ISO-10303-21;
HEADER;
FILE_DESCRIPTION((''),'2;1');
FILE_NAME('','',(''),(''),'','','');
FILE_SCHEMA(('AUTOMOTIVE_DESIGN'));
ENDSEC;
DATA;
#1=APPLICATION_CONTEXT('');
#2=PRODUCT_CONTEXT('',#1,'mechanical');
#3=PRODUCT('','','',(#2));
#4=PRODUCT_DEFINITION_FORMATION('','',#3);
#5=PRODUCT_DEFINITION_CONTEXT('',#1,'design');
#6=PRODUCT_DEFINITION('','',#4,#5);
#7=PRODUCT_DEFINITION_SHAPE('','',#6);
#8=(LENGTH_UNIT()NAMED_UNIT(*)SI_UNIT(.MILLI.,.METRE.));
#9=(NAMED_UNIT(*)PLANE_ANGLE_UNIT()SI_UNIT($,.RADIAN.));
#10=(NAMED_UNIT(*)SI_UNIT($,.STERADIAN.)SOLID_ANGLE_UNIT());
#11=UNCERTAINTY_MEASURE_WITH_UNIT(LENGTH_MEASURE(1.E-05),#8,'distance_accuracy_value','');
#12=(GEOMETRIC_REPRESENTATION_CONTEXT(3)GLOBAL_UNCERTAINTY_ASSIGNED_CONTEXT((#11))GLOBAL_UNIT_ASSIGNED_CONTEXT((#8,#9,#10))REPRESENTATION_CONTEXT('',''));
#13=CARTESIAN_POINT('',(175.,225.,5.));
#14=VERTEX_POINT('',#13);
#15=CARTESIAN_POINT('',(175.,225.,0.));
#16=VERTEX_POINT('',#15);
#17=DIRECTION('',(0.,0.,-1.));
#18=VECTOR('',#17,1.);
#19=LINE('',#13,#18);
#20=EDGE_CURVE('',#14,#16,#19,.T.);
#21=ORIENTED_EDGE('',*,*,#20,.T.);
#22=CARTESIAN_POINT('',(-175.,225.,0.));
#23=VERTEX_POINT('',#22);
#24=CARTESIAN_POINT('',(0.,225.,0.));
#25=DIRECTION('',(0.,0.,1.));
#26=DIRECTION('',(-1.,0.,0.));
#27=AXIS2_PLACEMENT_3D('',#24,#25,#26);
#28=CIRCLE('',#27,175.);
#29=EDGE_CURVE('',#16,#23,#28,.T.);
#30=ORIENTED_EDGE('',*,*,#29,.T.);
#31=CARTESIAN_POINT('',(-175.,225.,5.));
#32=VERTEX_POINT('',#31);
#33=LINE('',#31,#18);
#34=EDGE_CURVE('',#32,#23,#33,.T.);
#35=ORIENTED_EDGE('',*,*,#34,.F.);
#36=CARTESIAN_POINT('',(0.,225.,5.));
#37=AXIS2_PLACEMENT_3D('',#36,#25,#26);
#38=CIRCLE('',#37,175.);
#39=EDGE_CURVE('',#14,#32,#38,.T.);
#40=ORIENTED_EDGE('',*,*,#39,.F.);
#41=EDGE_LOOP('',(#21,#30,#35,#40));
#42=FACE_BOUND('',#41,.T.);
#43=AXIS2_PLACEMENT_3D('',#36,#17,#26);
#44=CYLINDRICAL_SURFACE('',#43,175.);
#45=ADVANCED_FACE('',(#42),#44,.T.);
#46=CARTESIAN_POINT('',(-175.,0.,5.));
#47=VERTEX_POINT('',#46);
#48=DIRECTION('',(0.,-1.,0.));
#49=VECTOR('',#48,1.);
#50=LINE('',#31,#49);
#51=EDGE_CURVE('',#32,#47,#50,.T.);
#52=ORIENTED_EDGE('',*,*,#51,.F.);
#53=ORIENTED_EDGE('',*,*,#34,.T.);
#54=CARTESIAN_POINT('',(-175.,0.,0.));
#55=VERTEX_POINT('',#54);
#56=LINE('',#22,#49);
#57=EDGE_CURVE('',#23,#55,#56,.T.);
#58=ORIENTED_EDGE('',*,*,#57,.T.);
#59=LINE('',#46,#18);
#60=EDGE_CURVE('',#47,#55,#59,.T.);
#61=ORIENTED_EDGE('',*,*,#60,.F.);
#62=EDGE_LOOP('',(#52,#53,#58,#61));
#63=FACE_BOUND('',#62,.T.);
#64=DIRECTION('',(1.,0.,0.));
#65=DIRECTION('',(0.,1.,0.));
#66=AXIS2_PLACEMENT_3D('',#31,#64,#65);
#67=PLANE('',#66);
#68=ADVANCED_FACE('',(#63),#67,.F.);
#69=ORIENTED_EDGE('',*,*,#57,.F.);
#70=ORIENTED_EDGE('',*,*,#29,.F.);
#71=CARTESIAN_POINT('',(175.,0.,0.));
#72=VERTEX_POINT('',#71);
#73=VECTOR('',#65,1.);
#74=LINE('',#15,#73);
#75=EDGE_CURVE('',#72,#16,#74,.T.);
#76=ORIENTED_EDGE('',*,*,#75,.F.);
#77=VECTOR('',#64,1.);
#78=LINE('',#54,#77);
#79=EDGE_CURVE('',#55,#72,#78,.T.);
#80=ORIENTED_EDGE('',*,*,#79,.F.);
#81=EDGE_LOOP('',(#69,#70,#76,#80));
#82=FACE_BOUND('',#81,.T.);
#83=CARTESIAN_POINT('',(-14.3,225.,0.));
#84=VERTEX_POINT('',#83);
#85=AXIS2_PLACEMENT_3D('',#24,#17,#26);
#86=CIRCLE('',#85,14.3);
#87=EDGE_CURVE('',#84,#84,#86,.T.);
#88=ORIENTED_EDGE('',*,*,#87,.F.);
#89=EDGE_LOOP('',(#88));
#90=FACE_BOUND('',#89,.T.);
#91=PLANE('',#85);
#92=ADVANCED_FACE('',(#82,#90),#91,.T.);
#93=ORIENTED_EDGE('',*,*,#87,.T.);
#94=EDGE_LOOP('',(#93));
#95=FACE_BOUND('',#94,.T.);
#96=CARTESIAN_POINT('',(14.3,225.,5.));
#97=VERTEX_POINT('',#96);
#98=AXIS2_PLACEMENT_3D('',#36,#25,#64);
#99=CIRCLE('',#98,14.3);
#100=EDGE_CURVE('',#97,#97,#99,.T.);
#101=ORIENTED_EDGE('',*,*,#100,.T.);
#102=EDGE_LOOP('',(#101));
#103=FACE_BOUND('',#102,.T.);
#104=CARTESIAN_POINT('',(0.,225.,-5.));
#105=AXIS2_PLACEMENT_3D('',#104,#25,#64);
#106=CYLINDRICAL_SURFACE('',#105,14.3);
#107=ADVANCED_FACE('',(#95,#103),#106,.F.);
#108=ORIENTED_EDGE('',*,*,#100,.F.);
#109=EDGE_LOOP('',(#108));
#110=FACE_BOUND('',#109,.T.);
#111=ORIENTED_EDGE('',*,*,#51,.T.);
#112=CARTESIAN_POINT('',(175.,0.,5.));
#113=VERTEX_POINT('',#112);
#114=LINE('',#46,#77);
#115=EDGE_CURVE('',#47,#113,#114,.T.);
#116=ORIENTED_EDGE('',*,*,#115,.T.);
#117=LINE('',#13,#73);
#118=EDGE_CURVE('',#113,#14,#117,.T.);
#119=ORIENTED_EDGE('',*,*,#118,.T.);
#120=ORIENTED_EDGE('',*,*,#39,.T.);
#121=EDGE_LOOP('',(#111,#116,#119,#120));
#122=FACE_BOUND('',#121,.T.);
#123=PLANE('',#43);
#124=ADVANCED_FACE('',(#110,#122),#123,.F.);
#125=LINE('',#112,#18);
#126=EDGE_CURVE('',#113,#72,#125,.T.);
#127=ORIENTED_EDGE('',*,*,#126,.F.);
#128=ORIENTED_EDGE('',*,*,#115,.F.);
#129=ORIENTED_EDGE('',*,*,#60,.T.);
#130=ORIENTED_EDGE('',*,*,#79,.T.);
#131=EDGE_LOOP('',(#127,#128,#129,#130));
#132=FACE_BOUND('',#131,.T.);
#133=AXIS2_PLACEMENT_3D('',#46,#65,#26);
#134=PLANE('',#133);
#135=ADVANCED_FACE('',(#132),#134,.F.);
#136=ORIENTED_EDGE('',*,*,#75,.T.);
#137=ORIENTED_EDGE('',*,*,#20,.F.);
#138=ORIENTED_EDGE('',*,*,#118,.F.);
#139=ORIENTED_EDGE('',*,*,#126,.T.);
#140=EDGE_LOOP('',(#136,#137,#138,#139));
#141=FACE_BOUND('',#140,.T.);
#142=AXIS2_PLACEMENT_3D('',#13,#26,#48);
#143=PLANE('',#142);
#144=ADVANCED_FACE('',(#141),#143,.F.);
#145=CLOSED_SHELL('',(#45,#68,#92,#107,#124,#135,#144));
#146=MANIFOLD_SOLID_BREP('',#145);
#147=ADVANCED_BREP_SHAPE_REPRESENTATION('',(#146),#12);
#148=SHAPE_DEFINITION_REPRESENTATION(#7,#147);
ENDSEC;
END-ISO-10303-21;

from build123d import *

# Parameters (mm, degrees)
OUTER_CASING_DEPTH = 5
SKETCH1_R          = 14.3
INNER_CUTOUT_DEPTH = 10


with BuildPart() as part:
    # Plate shape → Outer casing (new body)
    with BuildSketch(Plane.XY):
        with BuildLine():
            Line((-175, 225), (-175, 0))
            Line((-175, 0), (175, 0))
            Line((175, 0), (175, 225))
            ThreePointArc((175, 225), (0, 400), (-175, 225))
        make_face()
    extrude(amount=OUTER_CASING_DEPTH)

    # Sketch1 → Inner Cutout (cut)
    with BuildSketch(Plane.XY.offset(5)):
        with Locations((0, 225)):
            Circle(SKETCH1_R)
    extrude(amount=-INNER_CUTOUT_DEPTH, mode=Mode.SUBTRACT)


solid = part.part
